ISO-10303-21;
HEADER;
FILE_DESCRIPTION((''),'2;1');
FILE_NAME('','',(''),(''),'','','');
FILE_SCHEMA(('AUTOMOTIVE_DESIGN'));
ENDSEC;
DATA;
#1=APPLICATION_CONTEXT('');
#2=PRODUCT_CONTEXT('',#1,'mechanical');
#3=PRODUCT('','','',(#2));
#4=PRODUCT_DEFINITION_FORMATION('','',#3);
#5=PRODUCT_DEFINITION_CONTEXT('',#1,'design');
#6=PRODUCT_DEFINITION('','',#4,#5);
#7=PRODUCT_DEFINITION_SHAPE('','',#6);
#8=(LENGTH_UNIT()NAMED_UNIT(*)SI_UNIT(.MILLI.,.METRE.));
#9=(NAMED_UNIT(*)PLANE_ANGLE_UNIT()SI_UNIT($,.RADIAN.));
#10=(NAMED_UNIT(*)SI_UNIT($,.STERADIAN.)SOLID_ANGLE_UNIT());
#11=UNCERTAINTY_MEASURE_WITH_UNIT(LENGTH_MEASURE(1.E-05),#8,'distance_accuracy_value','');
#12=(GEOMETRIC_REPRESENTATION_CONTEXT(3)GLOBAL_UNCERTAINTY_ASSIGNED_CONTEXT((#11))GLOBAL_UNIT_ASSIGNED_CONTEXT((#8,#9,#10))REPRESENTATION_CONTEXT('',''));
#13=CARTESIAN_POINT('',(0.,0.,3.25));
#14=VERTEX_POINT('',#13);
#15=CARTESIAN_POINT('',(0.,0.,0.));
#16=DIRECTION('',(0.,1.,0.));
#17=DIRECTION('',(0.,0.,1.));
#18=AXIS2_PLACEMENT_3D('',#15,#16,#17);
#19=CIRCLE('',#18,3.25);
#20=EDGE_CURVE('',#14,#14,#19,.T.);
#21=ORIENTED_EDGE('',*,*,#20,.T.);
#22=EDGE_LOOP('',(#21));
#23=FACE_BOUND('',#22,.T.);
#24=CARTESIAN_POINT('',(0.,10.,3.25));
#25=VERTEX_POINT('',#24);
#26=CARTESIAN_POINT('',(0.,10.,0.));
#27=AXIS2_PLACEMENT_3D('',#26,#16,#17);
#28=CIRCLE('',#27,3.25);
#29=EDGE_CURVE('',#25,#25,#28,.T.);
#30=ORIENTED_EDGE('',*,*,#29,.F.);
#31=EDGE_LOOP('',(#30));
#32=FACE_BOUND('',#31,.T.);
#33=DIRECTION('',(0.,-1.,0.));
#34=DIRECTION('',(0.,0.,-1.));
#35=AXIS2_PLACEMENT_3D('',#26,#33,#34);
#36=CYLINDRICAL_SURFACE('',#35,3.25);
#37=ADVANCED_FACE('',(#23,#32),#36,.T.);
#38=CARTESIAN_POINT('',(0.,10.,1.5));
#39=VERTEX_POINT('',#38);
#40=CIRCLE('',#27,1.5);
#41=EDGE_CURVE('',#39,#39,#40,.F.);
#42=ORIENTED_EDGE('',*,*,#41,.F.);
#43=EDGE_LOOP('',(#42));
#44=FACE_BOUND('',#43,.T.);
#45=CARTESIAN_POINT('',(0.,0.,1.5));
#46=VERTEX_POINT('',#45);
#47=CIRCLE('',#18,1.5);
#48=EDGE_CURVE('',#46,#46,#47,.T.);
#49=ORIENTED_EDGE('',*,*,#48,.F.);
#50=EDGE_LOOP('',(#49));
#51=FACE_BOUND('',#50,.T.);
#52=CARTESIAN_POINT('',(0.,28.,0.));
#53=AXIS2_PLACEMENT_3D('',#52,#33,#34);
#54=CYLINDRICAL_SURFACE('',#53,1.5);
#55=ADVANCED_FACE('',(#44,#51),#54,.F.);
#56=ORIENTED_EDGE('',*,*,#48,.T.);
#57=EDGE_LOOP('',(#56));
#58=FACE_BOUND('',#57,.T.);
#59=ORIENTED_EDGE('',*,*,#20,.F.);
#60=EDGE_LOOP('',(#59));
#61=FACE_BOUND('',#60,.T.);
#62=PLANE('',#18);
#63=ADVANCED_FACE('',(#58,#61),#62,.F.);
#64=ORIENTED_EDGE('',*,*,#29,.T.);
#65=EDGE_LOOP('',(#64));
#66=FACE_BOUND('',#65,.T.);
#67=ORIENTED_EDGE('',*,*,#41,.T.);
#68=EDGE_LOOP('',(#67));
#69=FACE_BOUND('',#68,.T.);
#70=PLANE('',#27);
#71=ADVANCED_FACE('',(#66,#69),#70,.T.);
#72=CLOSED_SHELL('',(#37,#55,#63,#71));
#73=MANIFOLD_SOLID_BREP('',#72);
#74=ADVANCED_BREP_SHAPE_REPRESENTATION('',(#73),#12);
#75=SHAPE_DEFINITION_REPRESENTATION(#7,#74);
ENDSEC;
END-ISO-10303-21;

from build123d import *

# Parameters (mm, degrees)
ESQUISSE2_R             = 3.25
BOSS_EXTRU_1_DEPTH      = 10
ESQUISSE1_R             = 1.5
ENL_V_MAT_EXTRU_1_DEPTH = 28


with BuildPart() as part:
    # Esquisse2 → Boss.-Extru.1 (new body)
    with BuildSketch(Plane(origin=(0, 0, 0), x_dir=(1, 0, 0), z_dir=(0, 1, 0))):
        with Locations(Location((0, 0, 0), (0, 0, 270))):
            Circle(ESQUISSE2_R)
    extrude(amount=BOSS_EXTRU_1_DEPTH)

    # Esquisse1 → Enlèv. mat.-Extru.1 (cut)
    with BuildSketch(Plane(origin=(0, 0, 0), x_dir=(1, 0, 0), z_dir=(0, 1, 0))):
        with Locations(Location((0, 0, 0), (0, 0, 270))):
            Circle(ESQUISSE1_R)
    extrude(amount=ENL_V_MAT_EXTRU_1_DEPTH, mode=Mode.SUBTRACT)


solid = part.part
